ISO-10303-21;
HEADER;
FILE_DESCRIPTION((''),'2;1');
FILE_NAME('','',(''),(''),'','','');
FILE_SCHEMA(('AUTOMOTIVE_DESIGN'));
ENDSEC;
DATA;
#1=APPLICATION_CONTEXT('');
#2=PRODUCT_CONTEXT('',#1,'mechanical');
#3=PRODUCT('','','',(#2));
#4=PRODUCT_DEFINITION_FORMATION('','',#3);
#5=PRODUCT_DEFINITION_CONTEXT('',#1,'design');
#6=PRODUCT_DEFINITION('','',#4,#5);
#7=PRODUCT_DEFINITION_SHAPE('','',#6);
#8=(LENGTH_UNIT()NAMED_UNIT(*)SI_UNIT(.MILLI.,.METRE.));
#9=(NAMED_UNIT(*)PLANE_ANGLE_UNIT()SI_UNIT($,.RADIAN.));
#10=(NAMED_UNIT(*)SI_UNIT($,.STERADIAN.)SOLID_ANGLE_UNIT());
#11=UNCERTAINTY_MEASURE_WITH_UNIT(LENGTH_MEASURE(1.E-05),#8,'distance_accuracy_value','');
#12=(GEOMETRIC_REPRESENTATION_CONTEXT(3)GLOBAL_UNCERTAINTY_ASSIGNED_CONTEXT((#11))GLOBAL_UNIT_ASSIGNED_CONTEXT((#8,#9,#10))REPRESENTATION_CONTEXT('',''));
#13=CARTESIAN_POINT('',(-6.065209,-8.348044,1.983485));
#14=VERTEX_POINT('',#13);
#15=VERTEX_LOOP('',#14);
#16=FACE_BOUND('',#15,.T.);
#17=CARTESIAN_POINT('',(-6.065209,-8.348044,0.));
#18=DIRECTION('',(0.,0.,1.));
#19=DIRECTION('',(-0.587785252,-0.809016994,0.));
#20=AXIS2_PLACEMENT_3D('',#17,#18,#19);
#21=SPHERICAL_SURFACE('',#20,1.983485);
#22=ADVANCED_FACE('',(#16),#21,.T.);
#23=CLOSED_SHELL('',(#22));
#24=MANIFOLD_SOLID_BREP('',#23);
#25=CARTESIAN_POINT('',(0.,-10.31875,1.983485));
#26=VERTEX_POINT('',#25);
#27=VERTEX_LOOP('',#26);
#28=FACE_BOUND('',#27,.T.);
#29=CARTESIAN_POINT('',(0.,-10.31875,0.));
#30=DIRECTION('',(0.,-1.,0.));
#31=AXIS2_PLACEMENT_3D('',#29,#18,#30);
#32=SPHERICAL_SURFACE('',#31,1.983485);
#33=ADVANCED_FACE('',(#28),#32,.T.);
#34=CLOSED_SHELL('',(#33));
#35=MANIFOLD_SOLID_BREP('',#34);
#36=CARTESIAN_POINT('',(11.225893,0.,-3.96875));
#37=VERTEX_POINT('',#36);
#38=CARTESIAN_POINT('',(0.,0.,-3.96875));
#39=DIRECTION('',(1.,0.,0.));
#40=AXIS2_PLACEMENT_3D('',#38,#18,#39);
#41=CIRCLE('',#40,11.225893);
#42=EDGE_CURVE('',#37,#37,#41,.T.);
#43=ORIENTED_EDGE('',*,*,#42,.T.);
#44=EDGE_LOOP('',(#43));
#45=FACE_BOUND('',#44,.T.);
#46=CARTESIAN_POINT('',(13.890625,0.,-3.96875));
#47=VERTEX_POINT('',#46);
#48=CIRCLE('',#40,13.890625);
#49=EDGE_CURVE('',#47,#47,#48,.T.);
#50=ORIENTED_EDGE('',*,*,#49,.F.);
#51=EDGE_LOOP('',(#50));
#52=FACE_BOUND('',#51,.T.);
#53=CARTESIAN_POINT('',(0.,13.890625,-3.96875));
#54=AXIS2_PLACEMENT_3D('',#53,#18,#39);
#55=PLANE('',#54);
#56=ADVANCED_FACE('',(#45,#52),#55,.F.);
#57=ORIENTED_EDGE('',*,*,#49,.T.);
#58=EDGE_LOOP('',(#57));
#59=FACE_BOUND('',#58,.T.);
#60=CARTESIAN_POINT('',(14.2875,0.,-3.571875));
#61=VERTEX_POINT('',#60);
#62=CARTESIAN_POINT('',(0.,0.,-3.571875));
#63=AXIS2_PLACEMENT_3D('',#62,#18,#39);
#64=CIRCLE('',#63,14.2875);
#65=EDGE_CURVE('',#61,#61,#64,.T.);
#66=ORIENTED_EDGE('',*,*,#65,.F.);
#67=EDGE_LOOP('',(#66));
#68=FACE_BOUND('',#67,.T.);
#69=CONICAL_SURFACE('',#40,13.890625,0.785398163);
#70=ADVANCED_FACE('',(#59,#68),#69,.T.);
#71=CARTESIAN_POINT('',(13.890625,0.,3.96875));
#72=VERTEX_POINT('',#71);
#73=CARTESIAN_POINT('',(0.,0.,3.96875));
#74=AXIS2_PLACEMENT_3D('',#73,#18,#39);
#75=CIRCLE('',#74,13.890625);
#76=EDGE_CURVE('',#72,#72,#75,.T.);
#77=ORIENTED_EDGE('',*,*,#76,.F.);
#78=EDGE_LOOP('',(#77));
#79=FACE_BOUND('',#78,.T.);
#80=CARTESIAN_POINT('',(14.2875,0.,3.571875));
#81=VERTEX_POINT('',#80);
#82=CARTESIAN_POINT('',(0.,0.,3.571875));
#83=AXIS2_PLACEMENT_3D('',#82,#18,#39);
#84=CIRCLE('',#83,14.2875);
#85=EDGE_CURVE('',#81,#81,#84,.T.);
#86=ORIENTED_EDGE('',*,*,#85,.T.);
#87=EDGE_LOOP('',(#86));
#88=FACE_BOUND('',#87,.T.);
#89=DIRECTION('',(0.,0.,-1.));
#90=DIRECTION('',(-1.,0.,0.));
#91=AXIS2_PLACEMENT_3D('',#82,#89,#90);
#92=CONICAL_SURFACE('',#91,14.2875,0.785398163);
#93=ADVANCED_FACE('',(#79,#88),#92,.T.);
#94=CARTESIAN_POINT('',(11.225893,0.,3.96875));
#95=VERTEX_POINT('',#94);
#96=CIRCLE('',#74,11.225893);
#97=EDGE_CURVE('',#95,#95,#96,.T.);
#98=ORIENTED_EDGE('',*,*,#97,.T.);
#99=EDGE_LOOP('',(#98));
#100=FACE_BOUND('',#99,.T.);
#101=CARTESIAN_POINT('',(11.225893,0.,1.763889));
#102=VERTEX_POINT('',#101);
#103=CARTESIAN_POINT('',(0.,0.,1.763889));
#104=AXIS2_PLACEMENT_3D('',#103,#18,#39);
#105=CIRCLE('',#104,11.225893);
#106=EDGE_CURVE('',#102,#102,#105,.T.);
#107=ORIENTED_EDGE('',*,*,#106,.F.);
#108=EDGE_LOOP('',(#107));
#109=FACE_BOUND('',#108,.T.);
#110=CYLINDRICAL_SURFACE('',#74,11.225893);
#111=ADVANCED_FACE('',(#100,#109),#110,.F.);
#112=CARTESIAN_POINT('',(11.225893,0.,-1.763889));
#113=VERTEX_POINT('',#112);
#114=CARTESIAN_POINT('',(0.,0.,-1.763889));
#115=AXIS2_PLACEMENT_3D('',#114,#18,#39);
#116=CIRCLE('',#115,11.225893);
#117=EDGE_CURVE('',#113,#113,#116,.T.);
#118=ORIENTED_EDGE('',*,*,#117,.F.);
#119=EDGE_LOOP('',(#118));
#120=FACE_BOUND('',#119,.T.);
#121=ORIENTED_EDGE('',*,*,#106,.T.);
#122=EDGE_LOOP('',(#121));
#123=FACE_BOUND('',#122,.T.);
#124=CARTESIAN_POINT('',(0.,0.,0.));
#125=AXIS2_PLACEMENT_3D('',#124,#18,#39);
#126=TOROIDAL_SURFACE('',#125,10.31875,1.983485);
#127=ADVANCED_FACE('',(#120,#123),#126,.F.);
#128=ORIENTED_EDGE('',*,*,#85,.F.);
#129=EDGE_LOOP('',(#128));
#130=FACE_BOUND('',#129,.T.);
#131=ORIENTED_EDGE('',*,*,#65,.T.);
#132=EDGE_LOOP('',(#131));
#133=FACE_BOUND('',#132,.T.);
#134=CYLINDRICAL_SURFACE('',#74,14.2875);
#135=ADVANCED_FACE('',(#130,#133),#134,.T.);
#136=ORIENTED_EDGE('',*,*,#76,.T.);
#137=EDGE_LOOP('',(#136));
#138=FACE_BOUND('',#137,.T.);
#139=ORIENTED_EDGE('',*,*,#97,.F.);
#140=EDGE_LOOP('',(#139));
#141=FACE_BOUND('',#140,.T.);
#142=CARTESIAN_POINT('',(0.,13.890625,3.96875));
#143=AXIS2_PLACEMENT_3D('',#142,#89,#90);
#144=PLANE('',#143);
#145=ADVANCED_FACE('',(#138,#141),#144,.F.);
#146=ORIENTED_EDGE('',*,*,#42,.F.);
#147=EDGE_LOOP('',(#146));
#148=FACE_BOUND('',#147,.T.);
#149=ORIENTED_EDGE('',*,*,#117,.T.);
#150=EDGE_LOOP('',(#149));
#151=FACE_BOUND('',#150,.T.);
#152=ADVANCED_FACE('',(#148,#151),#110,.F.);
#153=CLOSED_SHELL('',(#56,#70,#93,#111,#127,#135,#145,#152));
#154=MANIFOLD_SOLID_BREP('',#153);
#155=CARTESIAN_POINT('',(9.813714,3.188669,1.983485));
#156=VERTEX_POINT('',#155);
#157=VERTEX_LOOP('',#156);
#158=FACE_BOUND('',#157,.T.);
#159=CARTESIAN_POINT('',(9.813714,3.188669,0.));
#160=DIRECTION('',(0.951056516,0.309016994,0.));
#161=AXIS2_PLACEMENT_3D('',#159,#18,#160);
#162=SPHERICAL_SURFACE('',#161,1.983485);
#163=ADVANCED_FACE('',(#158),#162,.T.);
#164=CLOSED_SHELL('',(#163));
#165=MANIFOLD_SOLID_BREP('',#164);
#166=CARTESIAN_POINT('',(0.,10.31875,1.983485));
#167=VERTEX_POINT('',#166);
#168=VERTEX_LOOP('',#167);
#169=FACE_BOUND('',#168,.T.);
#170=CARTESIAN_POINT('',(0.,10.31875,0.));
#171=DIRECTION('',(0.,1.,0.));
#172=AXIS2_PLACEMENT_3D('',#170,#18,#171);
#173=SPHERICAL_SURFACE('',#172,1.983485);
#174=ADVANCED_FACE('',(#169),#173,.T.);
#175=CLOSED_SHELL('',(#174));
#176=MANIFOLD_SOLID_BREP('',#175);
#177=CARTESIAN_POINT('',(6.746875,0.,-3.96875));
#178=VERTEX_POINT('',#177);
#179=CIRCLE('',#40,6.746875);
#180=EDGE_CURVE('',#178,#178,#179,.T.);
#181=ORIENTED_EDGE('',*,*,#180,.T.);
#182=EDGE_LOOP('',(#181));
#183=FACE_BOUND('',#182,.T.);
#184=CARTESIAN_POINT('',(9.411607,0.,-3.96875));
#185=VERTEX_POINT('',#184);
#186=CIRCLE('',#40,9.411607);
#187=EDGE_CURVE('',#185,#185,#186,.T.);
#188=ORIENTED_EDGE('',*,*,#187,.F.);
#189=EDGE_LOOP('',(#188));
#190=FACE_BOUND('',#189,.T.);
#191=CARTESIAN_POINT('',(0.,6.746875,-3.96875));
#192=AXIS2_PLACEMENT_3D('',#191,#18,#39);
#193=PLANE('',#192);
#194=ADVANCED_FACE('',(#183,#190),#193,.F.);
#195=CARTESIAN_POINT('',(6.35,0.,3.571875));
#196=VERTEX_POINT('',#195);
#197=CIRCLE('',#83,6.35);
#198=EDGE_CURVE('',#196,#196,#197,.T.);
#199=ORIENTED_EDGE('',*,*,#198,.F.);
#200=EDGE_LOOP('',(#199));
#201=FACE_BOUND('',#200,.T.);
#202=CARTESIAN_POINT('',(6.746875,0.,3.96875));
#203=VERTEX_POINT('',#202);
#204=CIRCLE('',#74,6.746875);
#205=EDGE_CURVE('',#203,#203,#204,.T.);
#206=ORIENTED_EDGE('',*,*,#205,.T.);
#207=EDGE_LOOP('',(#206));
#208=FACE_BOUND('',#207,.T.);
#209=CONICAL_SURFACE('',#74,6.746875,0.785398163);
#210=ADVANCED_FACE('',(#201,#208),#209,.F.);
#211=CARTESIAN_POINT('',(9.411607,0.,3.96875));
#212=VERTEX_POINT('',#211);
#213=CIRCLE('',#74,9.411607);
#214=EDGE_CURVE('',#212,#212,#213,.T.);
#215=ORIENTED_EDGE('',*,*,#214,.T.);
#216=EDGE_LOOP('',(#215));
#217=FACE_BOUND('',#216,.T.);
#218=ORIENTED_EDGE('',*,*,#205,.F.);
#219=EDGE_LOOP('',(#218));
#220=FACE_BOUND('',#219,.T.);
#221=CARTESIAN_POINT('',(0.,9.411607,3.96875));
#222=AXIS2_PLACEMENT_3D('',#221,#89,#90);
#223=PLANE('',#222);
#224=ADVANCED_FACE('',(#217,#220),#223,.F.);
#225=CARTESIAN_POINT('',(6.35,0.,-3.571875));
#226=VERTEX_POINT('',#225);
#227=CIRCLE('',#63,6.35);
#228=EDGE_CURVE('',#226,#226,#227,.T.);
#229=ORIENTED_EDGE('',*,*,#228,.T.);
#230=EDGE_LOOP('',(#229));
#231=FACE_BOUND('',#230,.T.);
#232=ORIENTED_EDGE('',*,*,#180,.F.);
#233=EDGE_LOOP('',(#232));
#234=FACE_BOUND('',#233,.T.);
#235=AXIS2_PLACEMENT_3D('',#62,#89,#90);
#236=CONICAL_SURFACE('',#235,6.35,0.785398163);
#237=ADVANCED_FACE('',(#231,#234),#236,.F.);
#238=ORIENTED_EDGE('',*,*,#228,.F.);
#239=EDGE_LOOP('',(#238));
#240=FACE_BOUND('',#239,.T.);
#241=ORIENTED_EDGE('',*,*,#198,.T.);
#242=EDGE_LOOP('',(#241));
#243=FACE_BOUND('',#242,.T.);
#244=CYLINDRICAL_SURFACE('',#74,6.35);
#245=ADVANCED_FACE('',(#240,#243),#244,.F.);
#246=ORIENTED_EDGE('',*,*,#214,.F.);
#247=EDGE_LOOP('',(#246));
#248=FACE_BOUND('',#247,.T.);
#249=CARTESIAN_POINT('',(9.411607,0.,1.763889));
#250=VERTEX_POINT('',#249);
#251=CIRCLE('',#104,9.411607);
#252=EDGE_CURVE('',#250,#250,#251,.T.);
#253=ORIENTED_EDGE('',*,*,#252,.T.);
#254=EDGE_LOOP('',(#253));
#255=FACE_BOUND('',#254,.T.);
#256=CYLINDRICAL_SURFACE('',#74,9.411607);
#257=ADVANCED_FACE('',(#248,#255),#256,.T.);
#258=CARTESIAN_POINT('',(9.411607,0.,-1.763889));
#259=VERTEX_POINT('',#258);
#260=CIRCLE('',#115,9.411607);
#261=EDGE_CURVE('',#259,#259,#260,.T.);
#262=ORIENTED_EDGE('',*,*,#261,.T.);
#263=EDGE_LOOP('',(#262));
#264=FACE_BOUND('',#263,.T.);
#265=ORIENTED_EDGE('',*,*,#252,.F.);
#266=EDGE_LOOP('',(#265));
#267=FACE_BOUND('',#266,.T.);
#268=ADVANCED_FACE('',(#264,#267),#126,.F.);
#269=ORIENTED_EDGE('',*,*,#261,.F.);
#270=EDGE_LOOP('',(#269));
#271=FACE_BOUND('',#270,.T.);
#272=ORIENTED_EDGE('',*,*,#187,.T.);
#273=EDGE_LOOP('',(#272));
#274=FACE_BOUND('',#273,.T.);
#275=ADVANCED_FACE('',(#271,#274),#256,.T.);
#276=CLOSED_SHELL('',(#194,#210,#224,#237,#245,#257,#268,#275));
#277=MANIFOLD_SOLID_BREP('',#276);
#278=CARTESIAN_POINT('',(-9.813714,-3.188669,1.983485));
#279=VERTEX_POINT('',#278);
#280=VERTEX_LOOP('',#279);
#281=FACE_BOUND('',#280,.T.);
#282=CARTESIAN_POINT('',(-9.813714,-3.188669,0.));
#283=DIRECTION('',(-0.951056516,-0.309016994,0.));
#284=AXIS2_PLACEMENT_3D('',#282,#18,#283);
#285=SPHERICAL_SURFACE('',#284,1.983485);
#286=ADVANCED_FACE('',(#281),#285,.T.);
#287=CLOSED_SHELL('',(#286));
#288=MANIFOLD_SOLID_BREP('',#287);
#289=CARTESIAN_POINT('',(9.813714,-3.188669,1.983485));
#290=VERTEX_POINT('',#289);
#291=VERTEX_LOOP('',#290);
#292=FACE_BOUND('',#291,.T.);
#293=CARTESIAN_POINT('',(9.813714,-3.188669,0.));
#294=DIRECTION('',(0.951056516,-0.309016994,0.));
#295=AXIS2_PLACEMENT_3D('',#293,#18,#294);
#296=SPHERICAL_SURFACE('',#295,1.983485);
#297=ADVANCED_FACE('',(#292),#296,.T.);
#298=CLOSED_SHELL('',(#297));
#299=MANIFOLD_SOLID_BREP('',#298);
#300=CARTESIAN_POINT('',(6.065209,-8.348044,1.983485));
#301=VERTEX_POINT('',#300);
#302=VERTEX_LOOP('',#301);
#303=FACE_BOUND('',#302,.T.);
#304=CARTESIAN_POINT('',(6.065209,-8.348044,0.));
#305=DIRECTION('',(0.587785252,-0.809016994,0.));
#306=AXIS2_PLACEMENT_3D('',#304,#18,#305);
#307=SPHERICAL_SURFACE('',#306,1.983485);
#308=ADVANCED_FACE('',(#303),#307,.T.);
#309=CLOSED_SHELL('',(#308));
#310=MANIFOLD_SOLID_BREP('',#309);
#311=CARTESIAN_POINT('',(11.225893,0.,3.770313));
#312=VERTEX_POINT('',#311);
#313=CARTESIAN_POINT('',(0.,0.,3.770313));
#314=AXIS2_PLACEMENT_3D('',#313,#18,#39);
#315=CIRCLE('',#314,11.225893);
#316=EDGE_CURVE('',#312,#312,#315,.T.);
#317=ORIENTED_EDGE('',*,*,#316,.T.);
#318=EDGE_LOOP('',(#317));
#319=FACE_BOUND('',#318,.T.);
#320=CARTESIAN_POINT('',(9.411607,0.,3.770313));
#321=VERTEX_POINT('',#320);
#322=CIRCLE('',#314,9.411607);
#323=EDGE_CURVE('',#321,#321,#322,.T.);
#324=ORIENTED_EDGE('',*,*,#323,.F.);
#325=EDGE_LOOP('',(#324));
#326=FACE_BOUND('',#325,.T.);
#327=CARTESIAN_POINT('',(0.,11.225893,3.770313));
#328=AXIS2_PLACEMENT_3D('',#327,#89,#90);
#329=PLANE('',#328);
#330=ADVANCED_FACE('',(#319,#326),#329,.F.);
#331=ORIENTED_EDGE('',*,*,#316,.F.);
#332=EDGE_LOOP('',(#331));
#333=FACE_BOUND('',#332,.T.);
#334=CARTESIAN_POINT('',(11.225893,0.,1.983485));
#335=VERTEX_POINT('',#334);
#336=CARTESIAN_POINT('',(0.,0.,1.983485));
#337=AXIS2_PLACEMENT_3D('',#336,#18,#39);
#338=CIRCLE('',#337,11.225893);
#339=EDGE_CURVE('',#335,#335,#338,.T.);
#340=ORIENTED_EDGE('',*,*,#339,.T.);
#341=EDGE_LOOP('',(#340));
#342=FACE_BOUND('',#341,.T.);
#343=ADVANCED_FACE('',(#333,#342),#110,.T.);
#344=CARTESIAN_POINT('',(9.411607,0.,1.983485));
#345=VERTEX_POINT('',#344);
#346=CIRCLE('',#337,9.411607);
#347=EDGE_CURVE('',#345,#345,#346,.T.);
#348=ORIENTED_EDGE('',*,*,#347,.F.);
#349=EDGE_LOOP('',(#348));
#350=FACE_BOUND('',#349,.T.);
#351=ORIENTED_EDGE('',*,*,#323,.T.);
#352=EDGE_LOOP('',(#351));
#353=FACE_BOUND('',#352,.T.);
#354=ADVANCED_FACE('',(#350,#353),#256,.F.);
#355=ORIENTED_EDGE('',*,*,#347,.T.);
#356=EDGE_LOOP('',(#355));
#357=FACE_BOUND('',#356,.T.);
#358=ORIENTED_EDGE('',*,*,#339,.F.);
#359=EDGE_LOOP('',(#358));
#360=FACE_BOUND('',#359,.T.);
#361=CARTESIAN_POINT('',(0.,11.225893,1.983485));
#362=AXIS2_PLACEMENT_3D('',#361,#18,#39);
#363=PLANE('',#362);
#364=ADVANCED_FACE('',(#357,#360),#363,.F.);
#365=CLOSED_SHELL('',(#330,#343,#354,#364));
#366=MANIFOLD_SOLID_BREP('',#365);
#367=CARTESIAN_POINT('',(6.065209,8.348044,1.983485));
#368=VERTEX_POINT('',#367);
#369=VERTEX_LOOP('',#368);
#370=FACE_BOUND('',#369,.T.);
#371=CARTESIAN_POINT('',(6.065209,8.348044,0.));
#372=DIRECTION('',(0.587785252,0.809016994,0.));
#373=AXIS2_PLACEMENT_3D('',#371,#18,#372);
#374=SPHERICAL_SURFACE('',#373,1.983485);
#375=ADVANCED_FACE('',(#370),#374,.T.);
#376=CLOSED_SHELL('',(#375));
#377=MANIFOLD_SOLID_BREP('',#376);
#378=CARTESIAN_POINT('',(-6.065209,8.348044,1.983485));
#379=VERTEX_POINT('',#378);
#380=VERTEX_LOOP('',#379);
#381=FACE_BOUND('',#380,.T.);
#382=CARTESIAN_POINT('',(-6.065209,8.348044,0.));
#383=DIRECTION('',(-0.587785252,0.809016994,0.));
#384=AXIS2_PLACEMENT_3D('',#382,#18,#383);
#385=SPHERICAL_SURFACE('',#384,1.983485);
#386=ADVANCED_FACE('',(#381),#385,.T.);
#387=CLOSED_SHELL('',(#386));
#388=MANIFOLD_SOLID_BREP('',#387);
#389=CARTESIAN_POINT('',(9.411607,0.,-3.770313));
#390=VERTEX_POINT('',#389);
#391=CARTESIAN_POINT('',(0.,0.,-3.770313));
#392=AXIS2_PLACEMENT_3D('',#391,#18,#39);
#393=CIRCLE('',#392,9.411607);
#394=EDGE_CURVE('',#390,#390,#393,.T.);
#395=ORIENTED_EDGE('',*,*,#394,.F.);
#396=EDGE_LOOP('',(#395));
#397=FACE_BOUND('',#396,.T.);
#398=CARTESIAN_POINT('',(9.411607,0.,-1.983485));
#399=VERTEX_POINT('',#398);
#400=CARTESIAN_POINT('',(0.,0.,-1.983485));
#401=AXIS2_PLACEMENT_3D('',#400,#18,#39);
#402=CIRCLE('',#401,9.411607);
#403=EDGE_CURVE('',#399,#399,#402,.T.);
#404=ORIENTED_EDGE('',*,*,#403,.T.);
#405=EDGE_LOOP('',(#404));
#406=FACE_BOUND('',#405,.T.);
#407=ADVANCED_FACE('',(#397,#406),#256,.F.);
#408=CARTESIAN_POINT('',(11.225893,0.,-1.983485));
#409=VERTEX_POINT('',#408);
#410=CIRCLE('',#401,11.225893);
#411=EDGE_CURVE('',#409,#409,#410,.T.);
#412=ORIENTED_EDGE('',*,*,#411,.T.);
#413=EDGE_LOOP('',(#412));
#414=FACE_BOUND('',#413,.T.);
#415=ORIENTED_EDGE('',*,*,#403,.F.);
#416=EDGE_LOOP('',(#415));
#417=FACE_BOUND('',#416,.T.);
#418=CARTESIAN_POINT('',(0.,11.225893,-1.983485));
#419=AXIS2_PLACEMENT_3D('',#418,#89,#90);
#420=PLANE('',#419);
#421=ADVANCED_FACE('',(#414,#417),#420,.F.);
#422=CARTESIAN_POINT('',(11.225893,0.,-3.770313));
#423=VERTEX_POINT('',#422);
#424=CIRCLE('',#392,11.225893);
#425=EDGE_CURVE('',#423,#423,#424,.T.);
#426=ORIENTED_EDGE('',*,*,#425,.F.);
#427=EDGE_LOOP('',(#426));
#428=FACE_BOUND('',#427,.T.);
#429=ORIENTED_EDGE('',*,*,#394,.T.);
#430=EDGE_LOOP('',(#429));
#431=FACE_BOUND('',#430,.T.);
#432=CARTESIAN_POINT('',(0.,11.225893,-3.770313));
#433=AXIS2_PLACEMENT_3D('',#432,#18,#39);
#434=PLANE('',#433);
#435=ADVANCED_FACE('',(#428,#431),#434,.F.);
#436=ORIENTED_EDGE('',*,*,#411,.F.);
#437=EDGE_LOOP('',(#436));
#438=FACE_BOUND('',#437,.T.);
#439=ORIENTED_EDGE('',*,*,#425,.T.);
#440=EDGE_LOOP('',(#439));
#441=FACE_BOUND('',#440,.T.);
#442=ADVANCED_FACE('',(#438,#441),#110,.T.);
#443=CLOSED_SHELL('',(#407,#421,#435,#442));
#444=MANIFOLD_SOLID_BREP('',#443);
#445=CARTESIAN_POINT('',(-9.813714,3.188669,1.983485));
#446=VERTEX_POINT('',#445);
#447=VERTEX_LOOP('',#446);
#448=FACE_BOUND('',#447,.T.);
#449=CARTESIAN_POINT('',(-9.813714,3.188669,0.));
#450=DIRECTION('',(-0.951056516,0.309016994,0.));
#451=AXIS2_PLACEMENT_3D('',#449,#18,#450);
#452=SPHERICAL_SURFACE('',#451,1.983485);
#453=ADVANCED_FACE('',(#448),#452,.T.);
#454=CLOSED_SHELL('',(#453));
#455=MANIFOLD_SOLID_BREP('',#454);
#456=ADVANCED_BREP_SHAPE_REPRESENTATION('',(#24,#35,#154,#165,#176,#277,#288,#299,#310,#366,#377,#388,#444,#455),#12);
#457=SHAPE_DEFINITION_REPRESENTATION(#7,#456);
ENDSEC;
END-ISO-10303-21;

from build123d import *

# Parameters (mm, degrees)
CIRPATTERN1_COUNT = 10
SKETCH5_W         = 1.786827644
SKETCH5_H         = 1.814285714


with BuildPart() as part:
    # Sketch1 → Revolve1 (revolve)
    with BuildSketch(Plane(origin=(0, 0, 0), x_dir=(0, 0, -1), z_dir=(1, 0, 0)), mode=Mode.PRIVATE) as revolve1_sk:
        with BuildLine():
            Line((3.571875, 14.2875), (-3.571875, 14.2875))
            Line((-3.571875, 14.2875), (-3.96875, 13.890625))
            Line((-3.96875, 13.890625), (-3.96875, 11.225892857))
            Line((-3.96875, 11.225892857), (-1.763888889, 11.225892857))
            ThreePointArc((-1.763888889, 11.225892857), (0, 12.302234856), (1.763888889, 11.225892857))
            Line((1.763888889, 11.225892857), (3.96875, 11.225892857))
            Line((3.96875, 11.225892857), (3.96875, 13.890625))
            Line((3.96875, 13.890625), (3.571875, 14.2875))
        make_face()
    revolve(revolve1_sk.sketch.rotate(Axis((0, 0, 3.96875), (0, 0, -1)), 90), axis=Axis((0, 0, 3.96875), (0, 0, -1)))  # turned: the seam where the file's is


with BuildPart() as body_2:
    # Sketch3 → Revolve3 (revolve)
    with BuildSketch(Plane(origin=(0, 0, 0), x_dir=(0, 0, -1), z_dir=(1, 0, 0)), mode=Mode.PRIVATE) as revolve3_sk:
        with BuildLine():
            Line((-3.96875, 9.411607143), (-1.763888889, 9.411607143))
            ThreePointArc((-1.763888889, 9.411607143), (0, 8.335265144), (1.763888889, 9.411607143))
            Line((1.763888889, 9.411607143), (3.96875, 9.411607143))
            Line((3.96875, 9.411607143), (3.96875, 6.746875))
            Line((3.96875, 6.746875), (3.571875, 6.35))
            Line((3.571875, 6.35), (-3.571875, 6.35))
            Line((-3.571875, 6.35), (-3.96875, 6.746875))
            Line((-3.96875, 6.746875), (-3.96875, 9.411607143))
        make_face()
    revolve(revolve3_sk.sketch.rotate(Axis((0, 0, 3.96875), (0, 0, -1)), 90), axis=Axis((0, 0, 3.96875), (0, 0, -1)))  # turned: the seam where the file's is


with BuildPart() as body_3:
    # Sketch4 → Revolve4 (revolve)
    with BuildSketch(Plane(origin=(0, 0, 0), x_dir=(0, 0, -1), z_dir=(1, 0, 0))):
        with BuildLine():
            Line((-1.983484856, 10.31875), (1.983484856, 10.31875))
            ThreePointArc((1.983484856, 10.31875), (0, 12.302234856), (-1.983484856, 10.31875))
        make_face()
    revolve(axis=Axis((0, 10.31875, 1.983484856), (0, 0, -1)))


with BuildPart() as cirpattern1_1:
    # CirPattern1: pattern copy
    add(body_3.part.rotate(Axis((0, 0, 0), (0, 0, 1)), 1 * 360 / CIRPATTERN1_COUNT))


with BuildPart() as cirpattern1_2:
    # CirPattern1: pattern copy
    add(body_3.part.rotate(Axis((0, 0, 0), (0, 0, 1)), 2 * 360 / CIRPATTERN1_COUNT))


with BuildPart() as cirpattern1_3:
    # CirPattern1: pattern copy
    add(body_3.part.rotate(Axis((0, 0, 0), (0, 0, 1)), 3 * 360 / CIRPATTERN1_COUNT))


with BuildPart() as cirpattern1_4:
    # CirPattern1: pattern copy
    add(body_3.part.rotate(Axis((0, 0, 0), (0, 0, 1)), 4 * 360 / CIRPATTERN1_COUNT))


with BuildPart() as cirpattern1_5:
    # CirPattern1: pattern copy
    add(body_3.part.rotate(Axis((0, 0, 0), (0, 0, 1)), 5 * 360 / CIRPATTERN1_COUNT))


with BuildPart() as cirpattern1_6:
    # CirPattern1: pattern copy
    add(body_3.part.rotate(Axis((0, 0, 0), (0, 0, 1)), 6 * 360 / CIRPATTERN1_COUNT))


with BuildPart() as cirpattern1_7:
    # CirPattern1: pattern copy
    add(body_3.part.rotate(Axis((0, 0, 0), (0, 0, 1)), 7 * 360 / CIRPATTERN1_COUNT))


with BuildPart() as cirpattern1_8:
    # CirPattern1: pattern copy
    add(body_3.part.rotate(Axis((0, 0, 0), (0, 0, 1)), 8 * 360 / CIRPATTERN1_COUNT))


with BuildPart() as cirpattern1_9:
    # CirPattern1: pattern copy
    add(body_3.part.rotate(Axis((0, 0, 0), (0, 0, 1)), 9 * 360 / CIRPATTERN1_COUNT))


with BuildPart() as body_13:
    # Sketch5 → Revolve5 (revolve)
    with BuildSketch(Plane(origin=(0, 0, 0), x_dir=(0, 0, -1), z_dir=(1, 0, 0)), mode=Mode.PRIVATE) as revolve5_sk:
        with Locations((-2.876898678, 10.31875)):
            Rectangle(SKETCH5_W, SKETCH5_H)
        with Locations((2.876898678, 10.31875)):
            Rectangle(SKETCH5_W, SKETCH5_H)
    revolve(revolve5_sk.sketch.rotate(Axis((0, 0, 3.96875), (0, 0, -1)), 90), axis=Axis((0, 0, 3.96875), (0, 0, -1)))  # turned: the seam where the file's is


solid = Compound([part.part, body_2.part, body_3.part, cirpattern1_1.part, cirpattern1_2.part, cirpattern1_3.part, cirpattern1_4.part, cirpattern1_5.part, cirpattern1_6.part, cirpattern1_7.part, cirpattern1_8.part, cirpattern1_9.part, body_13.part])
